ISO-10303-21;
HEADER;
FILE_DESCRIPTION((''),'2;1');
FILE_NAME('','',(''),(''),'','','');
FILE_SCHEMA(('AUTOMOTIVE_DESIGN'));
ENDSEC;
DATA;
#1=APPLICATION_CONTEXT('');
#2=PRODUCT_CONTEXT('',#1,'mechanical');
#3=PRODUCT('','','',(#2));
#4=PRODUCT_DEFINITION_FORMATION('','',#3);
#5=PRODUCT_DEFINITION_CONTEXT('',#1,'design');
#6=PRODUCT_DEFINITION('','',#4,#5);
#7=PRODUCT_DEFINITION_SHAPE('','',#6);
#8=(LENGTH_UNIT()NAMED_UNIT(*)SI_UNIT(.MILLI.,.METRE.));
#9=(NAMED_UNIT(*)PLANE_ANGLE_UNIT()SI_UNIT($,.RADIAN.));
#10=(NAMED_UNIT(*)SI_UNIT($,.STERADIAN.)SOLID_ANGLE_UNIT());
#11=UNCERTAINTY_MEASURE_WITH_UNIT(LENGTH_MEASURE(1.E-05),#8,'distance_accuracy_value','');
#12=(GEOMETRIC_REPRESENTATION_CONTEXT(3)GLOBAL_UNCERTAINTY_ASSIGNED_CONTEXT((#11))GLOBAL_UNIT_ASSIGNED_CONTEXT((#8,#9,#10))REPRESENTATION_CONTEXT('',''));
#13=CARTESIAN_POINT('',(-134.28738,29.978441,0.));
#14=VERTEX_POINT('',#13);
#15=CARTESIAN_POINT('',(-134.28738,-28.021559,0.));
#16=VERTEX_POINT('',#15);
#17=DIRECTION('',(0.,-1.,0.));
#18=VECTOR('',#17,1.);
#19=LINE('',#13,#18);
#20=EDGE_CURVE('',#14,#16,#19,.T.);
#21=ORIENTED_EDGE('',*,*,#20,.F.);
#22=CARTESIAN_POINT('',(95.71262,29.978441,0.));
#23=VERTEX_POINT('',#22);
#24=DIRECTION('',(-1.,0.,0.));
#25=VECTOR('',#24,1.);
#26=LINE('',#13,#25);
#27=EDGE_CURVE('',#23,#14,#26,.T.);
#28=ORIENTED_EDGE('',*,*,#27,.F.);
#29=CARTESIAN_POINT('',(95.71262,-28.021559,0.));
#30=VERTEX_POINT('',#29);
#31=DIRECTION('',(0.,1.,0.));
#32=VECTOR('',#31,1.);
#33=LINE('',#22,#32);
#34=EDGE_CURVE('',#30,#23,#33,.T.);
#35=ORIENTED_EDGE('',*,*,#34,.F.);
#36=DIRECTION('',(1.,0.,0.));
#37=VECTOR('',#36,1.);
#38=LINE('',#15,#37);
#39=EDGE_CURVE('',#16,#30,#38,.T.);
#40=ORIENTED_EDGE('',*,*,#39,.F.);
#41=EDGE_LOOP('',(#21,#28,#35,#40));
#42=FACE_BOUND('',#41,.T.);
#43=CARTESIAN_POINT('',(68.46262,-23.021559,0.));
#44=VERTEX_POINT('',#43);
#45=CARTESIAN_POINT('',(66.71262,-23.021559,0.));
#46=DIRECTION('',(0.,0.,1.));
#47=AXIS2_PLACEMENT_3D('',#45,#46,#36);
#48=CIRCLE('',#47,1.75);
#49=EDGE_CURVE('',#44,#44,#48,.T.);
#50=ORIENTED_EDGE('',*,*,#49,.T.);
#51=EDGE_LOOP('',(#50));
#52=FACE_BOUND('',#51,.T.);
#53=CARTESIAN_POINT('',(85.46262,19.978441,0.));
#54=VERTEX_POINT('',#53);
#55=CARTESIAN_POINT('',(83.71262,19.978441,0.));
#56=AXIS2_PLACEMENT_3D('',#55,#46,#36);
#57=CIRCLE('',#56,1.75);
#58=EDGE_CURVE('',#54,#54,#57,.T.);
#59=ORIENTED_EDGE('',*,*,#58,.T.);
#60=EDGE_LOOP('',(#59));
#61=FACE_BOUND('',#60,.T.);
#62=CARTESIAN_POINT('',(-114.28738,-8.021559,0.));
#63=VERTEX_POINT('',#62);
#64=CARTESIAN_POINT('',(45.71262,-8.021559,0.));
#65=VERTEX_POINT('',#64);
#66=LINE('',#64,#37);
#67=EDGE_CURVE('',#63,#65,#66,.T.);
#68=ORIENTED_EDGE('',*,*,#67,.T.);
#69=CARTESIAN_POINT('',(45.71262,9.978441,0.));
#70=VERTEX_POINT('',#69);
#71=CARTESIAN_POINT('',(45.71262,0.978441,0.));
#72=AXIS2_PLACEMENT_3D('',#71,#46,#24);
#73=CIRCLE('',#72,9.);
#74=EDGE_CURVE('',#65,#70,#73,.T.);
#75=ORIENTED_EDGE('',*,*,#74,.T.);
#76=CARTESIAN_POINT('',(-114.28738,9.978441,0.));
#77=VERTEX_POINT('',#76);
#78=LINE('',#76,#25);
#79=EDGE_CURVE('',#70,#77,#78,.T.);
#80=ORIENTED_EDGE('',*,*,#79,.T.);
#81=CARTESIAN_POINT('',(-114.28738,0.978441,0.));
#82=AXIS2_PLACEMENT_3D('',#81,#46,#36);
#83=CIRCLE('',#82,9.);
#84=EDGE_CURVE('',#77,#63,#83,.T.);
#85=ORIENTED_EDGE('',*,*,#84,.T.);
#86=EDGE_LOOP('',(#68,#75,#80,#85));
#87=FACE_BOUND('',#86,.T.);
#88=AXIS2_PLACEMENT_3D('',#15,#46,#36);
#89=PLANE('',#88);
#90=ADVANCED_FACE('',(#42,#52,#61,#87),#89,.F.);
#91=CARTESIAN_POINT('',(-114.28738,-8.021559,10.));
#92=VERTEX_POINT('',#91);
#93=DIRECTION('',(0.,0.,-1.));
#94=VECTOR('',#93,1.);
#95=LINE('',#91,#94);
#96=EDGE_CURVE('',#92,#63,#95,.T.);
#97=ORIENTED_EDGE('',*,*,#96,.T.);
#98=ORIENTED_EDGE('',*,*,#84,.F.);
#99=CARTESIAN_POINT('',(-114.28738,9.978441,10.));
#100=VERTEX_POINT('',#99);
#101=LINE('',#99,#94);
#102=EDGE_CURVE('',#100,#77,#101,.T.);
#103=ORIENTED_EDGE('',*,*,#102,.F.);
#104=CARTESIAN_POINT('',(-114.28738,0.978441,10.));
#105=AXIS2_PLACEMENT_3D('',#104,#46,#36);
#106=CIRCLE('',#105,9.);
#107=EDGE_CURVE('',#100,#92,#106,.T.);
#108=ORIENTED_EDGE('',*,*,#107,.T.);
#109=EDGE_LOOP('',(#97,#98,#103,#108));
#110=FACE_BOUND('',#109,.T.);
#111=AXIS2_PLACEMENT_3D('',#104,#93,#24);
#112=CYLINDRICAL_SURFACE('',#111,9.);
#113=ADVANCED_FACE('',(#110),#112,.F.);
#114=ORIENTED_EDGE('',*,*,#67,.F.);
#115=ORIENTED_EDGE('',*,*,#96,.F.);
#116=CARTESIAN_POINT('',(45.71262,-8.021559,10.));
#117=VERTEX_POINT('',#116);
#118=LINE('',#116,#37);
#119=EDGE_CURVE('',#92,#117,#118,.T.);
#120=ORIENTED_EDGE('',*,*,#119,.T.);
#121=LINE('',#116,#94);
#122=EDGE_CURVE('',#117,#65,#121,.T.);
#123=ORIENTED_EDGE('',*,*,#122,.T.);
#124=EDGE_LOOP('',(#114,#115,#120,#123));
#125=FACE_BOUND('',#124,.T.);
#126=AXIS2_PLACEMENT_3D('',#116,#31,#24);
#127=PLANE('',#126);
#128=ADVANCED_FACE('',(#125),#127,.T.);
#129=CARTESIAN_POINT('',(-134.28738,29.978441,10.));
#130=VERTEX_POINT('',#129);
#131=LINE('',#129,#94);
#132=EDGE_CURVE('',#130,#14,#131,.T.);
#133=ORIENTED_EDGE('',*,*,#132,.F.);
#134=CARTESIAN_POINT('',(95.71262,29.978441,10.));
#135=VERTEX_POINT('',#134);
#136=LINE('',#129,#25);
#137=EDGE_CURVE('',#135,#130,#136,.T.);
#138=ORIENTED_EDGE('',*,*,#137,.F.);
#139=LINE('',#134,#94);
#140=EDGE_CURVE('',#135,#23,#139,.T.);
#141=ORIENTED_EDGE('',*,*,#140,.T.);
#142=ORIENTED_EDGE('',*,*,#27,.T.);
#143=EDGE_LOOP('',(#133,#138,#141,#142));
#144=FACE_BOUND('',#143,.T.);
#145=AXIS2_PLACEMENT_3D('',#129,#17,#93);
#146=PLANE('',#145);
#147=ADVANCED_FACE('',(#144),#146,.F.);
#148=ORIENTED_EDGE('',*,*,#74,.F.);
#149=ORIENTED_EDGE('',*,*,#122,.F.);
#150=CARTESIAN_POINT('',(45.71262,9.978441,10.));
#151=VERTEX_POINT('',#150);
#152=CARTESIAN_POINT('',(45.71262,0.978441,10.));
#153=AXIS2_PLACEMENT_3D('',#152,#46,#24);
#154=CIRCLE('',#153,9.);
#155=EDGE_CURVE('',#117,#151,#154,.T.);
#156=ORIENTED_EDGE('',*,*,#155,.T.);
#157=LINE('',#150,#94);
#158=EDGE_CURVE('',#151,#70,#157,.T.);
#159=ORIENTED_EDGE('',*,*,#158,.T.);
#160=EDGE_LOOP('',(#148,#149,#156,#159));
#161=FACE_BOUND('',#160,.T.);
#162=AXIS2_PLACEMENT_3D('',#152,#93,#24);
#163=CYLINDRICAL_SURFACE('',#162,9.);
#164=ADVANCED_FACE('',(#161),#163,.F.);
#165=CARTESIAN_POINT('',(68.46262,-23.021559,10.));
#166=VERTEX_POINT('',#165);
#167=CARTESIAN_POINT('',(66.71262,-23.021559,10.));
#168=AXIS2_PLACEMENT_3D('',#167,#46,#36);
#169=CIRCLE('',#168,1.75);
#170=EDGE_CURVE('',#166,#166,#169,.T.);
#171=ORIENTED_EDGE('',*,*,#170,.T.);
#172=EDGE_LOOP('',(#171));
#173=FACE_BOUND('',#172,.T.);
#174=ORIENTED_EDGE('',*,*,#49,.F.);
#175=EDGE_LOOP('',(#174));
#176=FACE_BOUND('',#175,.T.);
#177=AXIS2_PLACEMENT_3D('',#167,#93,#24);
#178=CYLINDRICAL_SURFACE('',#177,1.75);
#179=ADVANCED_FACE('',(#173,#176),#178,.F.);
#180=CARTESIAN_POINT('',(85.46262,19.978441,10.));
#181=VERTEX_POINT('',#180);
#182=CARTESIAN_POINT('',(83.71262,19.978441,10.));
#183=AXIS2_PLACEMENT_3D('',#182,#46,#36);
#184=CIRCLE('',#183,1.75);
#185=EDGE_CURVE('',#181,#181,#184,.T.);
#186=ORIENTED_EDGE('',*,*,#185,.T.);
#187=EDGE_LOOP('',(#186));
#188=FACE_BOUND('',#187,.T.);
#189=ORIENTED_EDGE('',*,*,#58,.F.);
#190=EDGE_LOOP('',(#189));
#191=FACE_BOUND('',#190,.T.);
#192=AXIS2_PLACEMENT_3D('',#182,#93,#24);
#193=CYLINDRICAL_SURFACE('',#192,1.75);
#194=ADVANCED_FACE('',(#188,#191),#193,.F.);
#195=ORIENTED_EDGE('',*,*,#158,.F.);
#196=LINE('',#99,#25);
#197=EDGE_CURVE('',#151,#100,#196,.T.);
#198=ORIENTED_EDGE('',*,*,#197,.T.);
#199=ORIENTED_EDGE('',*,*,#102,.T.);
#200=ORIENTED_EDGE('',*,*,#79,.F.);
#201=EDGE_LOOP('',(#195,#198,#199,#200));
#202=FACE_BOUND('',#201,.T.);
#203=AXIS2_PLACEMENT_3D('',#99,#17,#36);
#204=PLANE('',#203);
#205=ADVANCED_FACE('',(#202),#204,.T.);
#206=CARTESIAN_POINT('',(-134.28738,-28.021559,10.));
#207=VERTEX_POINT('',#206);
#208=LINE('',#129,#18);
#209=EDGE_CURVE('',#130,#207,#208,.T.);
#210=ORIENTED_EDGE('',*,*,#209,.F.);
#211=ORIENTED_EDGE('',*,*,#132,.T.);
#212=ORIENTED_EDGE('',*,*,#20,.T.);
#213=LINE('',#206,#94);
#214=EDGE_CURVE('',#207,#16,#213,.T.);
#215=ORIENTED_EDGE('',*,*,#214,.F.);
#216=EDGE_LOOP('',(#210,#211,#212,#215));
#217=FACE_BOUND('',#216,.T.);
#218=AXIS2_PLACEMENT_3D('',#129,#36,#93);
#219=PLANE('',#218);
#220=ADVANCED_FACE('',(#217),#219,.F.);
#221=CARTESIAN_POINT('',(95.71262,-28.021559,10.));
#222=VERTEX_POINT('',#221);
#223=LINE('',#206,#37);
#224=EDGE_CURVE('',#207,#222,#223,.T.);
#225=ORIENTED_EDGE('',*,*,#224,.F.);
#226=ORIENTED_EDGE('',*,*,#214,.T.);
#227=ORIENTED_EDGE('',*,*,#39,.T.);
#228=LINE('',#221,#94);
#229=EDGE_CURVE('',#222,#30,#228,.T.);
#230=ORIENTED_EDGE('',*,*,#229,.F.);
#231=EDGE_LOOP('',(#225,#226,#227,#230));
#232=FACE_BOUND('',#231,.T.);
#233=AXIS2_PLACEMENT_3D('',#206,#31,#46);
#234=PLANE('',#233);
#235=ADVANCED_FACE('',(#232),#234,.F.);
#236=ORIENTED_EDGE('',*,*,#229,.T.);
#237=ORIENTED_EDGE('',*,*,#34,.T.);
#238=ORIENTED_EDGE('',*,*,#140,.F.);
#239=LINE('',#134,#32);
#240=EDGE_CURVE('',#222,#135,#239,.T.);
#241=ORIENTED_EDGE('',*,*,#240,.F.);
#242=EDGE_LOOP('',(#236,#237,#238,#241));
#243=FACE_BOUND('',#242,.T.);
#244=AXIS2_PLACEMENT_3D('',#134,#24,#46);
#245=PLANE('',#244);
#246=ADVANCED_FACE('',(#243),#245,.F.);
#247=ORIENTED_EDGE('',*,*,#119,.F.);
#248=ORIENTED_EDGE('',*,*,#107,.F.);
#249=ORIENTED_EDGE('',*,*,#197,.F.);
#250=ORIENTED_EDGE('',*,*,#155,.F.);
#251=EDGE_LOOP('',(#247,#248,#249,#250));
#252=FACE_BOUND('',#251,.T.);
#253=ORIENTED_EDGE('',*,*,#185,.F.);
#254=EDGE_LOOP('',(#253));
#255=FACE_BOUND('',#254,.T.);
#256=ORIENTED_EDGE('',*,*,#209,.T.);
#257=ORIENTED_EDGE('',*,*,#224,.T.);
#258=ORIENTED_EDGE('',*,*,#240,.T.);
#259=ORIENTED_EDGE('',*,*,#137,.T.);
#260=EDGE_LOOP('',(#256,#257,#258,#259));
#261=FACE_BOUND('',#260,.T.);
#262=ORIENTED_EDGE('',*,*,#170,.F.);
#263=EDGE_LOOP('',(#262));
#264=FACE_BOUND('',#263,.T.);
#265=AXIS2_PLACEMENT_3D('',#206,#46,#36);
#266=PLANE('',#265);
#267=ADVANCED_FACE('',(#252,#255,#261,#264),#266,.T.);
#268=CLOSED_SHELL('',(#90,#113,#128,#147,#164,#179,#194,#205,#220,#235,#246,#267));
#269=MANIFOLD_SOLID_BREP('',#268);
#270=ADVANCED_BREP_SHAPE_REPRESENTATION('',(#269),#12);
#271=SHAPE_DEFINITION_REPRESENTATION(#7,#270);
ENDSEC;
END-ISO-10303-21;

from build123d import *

# Parameters (mm, degrees)
ESQUISSE1_W        = 230
ESQUISSE1_H        = 58
ESQUISSE1_R        = 1.75
BOSS_EXTRU_1_DEPTH = 10


with BuildPart() as part:
    # Esquisse1 → Boss.-Extru.1 (new body)
    with BuildSketch(Plane.XY):
        with Locations((-19.287380446, 0.978440775)):
            Rectangle(ESQUISSE1_W, ESQUISSE1_H)
        with Locations((83.712619554, 19.978440775)):
            Circle(ESQUISSE1_R, mode=Mode.SUBTRACT)
        with Locations((66.712619554, -23.021559225)):
            Circle(ESQUISSE1_R, mode=Mode.SUBTRACT)
        with BuildLine():
            Line((-114.287380446, 9.978440775), (45.712619554, 9.978440775))
            ThreePointArc((45.712619554, 9.978440775), (54.712619554, 0.978440775), (45.712619554, -8.021559225))
            Line((45.712619554, -8.021559225), (-114.287380446, -8.021559225))
            ThreePointArc((-114.287380446, -8.021559225), (-123.287380446, 0.978440775), (-114.287380446, 9.978440775))
        make_face(mode=Mode.SUBTRACT)
    extrude(amount=BOSS_EXTRU_1_DEPTH)


solid = part.part
